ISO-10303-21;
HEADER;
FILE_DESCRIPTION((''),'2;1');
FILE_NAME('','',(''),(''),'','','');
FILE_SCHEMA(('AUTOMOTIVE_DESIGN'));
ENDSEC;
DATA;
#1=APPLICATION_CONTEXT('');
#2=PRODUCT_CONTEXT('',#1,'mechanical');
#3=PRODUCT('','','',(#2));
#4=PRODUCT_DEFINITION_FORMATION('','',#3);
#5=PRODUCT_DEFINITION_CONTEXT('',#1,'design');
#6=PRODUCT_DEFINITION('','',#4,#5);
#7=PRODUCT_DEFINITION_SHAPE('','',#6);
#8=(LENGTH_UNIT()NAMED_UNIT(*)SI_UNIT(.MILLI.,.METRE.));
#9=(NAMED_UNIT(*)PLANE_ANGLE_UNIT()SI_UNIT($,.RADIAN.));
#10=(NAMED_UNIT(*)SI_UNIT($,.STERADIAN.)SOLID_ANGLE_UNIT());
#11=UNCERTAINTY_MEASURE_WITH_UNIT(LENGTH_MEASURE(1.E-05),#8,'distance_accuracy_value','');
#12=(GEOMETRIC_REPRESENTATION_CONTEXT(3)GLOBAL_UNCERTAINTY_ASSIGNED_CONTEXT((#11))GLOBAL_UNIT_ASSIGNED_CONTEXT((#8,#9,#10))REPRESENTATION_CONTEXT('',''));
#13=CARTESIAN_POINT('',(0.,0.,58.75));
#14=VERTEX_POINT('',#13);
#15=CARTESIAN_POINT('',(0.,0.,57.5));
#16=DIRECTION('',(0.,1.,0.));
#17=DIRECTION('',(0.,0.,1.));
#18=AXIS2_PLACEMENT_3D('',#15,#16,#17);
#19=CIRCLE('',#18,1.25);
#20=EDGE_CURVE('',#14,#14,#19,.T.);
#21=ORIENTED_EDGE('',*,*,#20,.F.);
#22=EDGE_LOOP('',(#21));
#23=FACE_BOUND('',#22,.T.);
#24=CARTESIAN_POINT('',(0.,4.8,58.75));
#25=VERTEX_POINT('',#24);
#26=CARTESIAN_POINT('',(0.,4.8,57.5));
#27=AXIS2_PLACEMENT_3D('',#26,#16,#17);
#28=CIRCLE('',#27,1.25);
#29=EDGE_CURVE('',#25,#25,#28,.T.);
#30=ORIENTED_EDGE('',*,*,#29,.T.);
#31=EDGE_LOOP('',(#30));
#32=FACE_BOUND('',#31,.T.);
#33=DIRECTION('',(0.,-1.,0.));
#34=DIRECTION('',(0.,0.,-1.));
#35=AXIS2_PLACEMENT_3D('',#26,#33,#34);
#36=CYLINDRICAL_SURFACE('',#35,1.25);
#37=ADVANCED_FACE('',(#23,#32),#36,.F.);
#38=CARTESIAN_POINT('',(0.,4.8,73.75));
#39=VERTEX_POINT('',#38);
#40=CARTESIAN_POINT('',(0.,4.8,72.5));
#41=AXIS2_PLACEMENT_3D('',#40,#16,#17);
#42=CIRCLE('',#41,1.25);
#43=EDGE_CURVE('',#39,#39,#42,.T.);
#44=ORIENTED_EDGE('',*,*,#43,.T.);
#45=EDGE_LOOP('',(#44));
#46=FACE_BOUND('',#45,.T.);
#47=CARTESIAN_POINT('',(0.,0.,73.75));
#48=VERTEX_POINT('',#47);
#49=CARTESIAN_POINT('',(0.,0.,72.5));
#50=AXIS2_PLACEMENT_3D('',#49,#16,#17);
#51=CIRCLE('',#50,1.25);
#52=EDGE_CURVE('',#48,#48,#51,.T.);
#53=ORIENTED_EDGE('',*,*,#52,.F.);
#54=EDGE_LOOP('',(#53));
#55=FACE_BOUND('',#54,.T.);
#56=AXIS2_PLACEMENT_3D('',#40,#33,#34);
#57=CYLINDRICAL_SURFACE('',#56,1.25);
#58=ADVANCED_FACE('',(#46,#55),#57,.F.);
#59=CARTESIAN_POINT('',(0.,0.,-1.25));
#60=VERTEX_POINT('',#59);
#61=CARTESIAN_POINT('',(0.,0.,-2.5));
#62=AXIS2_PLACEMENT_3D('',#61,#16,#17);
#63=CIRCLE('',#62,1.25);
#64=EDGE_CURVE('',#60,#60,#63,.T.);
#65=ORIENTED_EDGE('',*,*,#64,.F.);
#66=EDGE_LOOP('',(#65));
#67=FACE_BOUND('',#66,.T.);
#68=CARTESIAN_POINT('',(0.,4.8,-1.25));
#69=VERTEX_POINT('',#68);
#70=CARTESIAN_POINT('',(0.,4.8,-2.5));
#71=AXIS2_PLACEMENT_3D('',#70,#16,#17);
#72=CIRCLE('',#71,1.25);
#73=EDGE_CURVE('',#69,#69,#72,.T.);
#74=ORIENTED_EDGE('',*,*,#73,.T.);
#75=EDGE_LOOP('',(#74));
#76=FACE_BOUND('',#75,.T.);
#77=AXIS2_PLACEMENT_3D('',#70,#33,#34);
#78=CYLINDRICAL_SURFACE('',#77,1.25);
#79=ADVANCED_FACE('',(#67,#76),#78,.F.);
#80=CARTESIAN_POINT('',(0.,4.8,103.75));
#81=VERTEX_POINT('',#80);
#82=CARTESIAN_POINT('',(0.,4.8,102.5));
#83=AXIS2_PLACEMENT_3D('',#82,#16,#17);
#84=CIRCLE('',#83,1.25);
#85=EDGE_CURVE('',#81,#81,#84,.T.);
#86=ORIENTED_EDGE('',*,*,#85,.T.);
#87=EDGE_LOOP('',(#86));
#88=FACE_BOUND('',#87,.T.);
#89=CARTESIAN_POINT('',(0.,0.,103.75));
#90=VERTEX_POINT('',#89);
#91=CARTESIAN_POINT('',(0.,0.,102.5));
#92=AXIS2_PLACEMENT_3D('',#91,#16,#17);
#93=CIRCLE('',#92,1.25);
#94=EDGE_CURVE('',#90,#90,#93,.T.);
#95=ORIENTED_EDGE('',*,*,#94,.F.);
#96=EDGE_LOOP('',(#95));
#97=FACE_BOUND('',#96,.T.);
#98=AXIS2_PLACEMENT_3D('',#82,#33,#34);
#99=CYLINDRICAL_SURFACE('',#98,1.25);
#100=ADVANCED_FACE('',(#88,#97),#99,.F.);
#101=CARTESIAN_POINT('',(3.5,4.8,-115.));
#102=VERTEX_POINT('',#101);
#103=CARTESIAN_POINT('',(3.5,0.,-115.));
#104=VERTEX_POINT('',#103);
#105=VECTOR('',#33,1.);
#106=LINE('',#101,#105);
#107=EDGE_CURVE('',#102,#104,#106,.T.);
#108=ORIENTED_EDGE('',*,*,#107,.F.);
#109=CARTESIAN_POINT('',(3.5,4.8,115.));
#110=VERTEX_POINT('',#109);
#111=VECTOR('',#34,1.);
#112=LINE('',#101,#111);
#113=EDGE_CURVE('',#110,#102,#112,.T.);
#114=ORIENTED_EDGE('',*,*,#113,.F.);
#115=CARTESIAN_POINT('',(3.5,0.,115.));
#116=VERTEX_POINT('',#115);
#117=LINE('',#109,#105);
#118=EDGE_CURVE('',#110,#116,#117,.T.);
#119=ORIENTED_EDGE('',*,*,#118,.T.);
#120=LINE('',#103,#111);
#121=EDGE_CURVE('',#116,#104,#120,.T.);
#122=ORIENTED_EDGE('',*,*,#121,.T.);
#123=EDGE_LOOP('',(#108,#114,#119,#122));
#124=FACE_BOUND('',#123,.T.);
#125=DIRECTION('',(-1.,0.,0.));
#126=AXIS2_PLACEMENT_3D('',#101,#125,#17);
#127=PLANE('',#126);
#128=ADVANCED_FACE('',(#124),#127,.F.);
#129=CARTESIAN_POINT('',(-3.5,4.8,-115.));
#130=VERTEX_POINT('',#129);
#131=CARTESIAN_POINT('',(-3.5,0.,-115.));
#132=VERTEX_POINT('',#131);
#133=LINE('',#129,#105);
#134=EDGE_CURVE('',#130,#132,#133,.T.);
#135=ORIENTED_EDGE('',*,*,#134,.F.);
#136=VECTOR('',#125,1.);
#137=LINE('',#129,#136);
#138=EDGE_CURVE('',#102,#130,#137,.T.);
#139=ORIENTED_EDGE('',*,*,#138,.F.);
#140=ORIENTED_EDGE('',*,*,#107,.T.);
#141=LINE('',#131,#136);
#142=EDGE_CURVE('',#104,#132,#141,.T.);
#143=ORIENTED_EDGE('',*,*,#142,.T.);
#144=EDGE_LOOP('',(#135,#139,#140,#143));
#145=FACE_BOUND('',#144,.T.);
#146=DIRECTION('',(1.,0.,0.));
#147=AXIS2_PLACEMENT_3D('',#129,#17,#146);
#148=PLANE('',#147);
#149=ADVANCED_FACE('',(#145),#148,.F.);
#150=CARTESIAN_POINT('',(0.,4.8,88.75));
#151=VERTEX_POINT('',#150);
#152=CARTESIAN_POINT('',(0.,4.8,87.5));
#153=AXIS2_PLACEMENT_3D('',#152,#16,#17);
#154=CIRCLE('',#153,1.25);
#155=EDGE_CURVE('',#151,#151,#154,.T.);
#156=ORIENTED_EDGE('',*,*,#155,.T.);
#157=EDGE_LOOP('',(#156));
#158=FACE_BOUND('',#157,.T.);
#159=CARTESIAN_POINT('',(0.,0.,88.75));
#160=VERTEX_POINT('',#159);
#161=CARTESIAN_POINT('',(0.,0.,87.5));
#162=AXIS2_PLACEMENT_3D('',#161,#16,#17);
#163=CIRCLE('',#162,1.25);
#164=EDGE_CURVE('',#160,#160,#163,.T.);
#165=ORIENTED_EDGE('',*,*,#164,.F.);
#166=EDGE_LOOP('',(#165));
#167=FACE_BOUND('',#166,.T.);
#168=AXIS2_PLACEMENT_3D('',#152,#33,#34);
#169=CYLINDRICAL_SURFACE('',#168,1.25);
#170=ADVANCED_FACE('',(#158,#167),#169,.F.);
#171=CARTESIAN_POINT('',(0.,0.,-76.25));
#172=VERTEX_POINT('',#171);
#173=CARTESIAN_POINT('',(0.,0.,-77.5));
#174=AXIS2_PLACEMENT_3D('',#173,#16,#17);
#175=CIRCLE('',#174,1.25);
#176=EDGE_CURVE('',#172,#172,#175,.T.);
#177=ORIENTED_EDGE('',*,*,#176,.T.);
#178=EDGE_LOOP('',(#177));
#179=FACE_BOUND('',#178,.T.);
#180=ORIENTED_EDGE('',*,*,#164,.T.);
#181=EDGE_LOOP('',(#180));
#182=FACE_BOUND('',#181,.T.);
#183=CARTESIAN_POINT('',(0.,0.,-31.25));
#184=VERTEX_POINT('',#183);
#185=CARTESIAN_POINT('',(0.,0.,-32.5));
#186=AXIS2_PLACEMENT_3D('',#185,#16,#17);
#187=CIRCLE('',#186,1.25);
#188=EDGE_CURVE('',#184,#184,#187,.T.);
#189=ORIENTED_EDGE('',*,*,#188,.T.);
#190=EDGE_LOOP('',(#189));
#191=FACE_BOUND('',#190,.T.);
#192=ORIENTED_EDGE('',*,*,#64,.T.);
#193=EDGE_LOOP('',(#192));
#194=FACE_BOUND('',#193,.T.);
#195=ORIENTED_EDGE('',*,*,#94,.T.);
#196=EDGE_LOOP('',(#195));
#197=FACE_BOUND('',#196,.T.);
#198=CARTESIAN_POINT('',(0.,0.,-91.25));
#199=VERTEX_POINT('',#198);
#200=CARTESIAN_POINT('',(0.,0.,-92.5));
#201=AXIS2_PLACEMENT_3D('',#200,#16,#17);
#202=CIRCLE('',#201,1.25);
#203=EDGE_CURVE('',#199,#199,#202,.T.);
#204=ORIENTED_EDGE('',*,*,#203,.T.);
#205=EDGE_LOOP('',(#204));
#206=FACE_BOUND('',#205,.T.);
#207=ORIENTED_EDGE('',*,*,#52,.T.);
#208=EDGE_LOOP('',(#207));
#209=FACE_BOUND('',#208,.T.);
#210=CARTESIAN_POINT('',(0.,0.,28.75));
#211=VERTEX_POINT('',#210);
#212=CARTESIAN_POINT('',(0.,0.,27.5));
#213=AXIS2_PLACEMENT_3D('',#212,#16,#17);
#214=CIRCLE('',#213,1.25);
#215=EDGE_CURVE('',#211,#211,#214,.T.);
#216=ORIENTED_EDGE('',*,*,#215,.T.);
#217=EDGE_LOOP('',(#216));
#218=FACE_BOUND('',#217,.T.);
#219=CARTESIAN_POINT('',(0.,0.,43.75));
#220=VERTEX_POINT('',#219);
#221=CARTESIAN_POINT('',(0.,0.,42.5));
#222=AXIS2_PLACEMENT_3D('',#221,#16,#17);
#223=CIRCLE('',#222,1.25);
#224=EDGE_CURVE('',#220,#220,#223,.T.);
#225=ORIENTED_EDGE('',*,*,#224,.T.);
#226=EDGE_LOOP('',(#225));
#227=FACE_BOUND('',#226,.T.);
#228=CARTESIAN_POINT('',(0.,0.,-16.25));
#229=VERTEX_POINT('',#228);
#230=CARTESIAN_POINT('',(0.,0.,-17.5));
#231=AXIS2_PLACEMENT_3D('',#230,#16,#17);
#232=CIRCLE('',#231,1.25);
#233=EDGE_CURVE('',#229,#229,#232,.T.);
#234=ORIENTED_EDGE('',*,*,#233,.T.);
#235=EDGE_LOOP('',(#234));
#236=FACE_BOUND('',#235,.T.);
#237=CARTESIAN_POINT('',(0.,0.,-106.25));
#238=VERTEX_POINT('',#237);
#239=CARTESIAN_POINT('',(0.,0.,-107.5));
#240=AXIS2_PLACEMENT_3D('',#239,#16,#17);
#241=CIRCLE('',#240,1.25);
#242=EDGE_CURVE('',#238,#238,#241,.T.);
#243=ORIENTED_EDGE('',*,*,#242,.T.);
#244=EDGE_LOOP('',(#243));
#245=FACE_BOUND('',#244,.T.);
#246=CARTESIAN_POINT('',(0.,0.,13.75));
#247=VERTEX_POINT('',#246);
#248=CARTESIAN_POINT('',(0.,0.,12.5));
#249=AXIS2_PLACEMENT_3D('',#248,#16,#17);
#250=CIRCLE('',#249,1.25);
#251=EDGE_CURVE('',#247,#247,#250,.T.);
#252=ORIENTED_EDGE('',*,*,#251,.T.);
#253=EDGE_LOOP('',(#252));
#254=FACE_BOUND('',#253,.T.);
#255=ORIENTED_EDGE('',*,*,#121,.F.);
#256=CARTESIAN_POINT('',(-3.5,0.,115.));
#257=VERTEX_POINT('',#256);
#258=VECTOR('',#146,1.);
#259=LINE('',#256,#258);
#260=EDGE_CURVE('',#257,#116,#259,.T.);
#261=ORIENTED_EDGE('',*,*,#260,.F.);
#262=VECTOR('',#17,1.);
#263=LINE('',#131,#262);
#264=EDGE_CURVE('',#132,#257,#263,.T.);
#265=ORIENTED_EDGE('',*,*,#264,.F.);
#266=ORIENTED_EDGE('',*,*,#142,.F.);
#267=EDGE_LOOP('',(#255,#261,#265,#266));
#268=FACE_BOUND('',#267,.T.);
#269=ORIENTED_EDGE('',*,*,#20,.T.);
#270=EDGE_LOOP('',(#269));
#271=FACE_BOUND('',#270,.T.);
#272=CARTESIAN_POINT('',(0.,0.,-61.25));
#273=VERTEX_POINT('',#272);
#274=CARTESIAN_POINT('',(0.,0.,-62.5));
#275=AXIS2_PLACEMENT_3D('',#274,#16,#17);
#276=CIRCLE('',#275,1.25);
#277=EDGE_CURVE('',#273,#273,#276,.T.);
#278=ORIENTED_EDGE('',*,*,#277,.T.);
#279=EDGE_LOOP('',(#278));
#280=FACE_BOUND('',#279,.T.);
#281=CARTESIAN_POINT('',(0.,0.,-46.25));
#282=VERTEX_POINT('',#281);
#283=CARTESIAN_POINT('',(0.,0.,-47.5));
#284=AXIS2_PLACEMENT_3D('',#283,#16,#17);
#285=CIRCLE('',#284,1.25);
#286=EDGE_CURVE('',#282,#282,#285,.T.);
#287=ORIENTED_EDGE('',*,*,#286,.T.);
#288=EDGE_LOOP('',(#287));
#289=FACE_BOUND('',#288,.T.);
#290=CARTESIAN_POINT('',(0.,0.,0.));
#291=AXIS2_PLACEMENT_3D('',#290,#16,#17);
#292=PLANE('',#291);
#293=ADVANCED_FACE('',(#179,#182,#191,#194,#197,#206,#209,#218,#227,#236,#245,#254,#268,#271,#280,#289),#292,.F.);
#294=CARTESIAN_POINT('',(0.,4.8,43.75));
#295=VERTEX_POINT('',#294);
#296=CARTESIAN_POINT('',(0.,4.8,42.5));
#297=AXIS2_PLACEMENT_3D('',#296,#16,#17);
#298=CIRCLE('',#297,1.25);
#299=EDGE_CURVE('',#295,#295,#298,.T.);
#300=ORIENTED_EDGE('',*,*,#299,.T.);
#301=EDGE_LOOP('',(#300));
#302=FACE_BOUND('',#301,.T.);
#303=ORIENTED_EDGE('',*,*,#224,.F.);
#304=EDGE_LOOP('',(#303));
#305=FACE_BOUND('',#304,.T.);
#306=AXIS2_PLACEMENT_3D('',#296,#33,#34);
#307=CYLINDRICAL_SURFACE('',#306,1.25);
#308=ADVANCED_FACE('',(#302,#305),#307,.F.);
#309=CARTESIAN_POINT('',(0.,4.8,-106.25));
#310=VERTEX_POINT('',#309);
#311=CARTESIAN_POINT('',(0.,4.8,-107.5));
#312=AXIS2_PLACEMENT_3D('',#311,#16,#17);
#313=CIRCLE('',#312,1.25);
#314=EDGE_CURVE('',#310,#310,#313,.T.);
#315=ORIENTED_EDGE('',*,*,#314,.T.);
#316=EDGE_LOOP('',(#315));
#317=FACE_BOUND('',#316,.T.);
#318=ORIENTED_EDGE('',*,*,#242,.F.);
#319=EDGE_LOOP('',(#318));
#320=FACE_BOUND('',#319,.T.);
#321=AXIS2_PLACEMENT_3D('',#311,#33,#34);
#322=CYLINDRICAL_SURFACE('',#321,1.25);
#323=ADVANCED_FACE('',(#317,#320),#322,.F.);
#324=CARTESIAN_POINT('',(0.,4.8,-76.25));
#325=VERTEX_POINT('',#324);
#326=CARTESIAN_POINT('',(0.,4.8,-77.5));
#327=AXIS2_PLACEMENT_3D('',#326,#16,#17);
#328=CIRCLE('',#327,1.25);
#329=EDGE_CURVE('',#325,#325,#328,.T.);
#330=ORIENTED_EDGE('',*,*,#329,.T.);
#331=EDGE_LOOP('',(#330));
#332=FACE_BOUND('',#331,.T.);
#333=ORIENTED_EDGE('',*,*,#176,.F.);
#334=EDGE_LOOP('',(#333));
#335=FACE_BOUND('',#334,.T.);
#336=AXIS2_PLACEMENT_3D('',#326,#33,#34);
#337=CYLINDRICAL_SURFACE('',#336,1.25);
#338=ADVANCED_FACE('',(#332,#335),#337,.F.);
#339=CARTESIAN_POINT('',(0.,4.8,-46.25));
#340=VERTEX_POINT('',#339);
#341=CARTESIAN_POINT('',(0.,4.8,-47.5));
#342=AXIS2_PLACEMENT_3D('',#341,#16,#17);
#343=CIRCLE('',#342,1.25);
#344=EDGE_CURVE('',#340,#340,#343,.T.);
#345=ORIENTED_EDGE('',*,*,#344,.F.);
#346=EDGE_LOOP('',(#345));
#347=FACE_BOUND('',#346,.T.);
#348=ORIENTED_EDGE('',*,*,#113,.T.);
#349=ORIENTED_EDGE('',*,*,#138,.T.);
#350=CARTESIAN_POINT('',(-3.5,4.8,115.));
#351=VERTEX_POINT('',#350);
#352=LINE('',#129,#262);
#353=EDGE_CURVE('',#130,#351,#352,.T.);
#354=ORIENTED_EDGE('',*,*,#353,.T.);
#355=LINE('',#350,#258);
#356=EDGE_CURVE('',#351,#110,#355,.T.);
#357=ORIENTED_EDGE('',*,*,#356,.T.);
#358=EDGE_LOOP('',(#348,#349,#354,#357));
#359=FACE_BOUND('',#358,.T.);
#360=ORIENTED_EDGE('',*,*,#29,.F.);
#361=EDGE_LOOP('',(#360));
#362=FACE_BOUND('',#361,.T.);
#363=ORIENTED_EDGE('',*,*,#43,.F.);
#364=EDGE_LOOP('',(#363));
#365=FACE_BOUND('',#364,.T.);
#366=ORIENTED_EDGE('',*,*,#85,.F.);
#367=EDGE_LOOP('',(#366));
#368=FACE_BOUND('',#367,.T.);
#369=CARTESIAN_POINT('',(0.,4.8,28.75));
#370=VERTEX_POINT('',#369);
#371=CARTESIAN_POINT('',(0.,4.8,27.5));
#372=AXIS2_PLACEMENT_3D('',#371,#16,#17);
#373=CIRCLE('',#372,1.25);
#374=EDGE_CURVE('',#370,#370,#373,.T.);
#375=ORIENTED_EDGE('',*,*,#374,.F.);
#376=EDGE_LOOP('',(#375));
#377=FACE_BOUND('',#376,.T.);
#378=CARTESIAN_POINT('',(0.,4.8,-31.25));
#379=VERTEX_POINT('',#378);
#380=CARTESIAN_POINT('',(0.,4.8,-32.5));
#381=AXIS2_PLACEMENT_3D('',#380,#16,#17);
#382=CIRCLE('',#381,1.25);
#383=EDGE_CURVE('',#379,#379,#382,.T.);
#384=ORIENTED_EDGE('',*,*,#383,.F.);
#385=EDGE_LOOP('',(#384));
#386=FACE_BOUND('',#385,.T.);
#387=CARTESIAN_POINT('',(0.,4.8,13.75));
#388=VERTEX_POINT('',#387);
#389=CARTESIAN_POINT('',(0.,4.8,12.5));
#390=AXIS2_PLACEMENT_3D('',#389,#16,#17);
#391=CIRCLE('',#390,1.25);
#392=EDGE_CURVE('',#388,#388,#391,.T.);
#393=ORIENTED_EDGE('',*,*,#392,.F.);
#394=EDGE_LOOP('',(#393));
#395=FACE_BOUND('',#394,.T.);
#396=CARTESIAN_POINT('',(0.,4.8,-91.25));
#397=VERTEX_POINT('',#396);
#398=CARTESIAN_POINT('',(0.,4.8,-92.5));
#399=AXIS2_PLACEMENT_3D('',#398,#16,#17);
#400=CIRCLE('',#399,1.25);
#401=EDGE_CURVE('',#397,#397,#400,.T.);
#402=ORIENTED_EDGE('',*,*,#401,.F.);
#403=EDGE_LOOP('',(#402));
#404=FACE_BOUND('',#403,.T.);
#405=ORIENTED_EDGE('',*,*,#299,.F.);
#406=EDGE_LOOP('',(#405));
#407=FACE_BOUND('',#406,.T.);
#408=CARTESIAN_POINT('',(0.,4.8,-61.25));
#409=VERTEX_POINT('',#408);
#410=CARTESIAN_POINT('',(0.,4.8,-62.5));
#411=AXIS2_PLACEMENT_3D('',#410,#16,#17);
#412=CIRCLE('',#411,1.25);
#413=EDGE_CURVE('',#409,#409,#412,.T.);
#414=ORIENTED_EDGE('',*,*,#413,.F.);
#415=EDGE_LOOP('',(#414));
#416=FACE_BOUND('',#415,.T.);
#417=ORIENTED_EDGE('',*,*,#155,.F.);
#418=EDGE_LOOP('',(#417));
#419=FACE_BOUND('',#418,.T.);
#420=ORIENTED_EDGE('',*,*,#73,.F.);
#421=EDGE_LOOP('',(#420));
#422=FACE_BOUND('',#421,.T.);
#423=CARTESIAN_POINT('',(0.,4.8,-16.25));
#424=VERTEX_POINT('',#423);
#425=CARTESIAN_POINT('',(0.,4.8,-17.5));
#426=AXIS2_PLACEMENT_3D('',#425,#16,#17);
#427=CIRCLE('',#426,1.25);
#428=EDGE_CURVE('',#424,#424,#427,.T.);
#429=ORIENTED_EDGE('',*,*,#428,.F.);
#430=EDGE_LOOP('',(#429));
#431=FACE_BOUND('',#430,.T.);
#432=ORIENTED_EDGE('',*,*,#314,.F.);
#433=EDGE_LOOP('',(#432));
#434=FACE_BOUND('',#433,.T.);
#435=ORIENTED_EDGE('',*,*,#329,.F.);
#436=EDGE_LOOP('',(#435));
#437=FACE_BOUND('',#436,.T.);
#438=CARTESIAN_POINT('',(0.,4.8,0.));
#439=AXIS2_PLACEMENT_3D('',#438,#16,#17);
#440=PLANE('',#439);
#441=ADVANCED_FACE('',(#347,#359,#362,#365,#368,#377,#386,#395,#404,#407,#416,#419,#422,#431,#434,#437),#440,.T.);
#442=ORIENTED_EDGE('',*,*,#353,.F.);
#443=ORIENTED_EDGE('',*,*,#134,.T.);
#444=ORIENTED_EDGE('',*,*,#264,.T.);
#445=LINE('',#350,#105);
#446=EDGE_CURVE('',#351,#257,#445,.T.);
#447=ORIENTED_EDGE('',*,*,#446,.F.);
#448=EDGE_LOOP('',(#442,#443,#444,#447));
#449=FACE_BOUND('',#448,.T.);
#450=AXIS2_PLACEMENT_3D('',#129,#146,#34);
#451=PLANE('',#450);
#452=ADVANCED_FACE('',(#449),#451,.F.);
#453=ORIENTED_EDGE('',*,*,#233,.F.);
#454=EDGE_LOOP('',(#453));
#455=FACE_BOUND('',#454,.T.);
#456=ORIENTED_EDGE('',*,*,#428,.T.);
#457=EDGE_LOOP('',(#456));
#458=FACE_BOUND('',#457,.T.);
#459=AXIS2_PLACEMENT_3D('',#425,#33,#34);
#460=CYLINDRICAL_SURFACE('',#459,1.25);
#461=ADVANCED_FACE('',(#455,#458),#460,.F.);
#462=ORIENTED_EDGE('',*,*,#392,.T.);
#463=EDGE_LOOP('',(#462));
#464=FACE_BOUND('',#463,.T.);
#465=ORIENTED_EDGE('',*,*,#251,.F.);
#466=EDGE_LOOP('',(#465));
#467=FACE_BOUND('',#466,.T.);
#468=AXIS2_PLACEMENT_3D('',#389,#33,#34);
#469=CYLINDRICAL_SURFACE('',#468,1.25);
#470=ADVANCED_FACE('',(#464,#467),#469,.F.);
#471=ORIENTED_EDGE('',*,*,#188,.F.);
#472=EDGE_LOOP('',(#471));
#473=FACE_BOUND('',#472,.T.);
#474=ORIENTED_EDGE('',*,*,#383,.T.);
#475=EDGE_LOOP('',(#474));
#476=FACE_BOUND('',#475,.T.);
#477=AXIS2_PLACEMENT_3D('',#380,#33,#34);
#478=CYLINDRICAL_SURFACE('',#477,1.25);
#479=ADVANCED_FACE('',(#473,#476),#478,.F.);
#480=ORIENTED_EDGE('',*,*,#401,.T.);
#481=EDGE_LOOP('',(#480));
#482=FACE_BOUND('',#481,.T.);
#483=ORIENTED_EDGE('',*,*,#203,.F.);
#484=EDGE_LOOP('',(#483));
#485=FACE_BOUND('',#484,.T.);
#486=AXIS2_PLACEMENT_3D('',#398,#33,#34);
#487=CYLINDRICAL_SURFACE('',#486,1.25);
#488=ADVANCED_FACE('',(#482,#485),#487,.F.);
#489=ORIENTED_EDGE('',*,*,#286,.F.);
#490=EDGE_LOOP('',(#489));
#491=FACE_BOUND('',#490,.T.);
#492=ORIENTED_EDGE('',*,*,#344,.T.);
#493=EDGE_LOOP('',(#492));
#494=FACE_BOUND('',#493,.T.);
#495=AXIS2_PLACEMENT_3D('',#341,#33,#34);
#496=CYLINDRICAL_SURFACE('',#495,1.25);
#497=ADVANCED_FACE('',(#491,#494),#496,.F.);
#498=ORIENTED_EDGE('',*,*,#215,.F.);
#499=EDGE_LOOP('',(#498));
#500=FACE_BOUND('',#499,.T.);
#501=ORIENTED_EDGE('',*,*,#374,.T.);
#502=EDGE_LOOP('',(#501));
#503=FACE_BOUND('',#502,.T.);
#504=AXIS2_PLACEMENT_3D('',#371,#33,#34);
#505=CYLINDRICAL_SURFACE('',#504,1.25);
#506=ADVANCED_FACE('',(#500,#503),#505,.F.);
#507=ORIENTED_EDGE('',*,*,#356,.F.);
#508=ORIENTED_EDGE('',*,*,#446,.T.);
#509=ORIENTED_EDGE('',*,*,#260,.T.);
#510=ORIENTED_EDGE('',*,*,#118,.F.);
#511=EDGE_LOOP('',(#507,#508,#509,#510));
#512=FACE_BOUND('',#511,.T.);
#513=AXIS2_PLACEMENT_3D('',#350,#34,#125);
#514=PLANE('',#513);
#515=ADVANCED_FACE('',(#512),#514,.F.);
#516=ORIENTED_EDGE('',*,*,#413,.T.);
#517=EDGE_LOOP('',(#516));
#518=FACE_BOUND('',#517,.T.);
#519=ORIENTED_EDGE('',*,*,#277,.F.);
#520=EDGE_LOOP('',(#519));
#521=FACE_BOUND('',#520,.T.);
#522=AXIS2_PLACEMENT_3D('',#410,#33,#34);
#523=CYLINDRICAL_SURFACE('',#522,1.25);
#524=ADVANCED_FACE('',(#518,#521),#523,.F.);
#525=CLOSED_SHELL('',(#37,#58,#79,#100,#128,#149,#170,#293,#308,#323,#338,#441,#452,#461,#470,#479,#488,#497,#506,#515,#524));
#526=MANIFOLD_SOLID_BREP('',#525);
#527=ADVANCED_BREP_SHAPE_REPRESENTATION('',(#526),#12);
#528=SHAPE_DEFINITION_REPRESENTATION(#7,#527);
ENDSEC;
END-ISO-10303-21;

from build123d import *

# Parameters (mm, degrees)
SKETCH_1_W      = 7
SKETCH_1_H      = 230
SKETCH_1_R      = 1.25
EXTRUDE_1_DEPTH = 4.8


with BuildPart() as part:
    # 草图1 → 凸台-拉伸1 (new body)
    with BuildSketch(Plane(origin=(0, 0, 0), x_dir=(1, 0, 0), z_dir=(0, 1, 0))):
        Rectangle(SKETCH_1_W, SKETCH_1_H)
        with Locations(Location((0, 107.5, 0), (0, 0, 270))):
            Circle(SKETCH_1_R, mode=Mode.SUBTRACT)
        with Locations(Location((0, 92.5, 0), (0, 0, 270))):
            Circle(SKETCH_1_R, mode=Mode.SUBTRACT)
        with Locations(Location((0, 77.5, 0), (0, 0, 270))):
            Circle(SKETCH_1_R, mode=Mode.SUBTRACT)
        with Locations(Location((0, 62.5, 0), (0, 0, 270))):
            Circle(SKETCH_1_R, mode=Mode.SUBTRACT)
        with Locations(Location((0, 47.5, 0), (0, 0, 270))):
            Circle(SKETCH_1_R, mode=Mode.SUBTRACT)
        with Locations(Location((0, 32.5, 0), (0, 0, 270))):
            Circle(SKETCH_1_R, mode=Mode.SUBTRACT)
        with Locations(Location((0, 17.5, 0), (0, 0, 270))):
            Circle(SKETCH_1_R, mode=Mode.SUBTRACT)
        with Locations(Location((0, 2.5, 0), (0, 0, 270))):
            Circle(SKETCH_1_R, mode=Mode.SUBTRACT)
        with Locations(Location((0, -12.5, 0), (0, 0, 270))):
            Circle(SKETCH_1_R, mode=Mode.SUBTRACT)
        with Locations(Location((0, -27.5, 0), (0, 0, 270))):
            Circle(SKETCH_1_R, mode=Mode.SUBTRACT)
        with Locations(Location((0, -42.5, 0), (0, 0, 270))):
            Circle(SKETCH_1_R, mode=Mode.SUBTRACT)
        with Locations(Location((0, -57.5, 0), (0, 0, 270))):
            Circle(SKETCH_1_R, mode=Mode.SUBTRACT)
        with Locations(Location((0, -72.5, 0), (0, 0, 270))):
            Circle(SKETCH_1_R, mode=Mode.SUBTRACT)
        with Locations(Location((0, -87.5, 0), (0, 0, 270))):
            Circle(SKETCH_1_R, mode=Mode.SUBTRACT)
        with Locations(Location((0, -102.5, 0), (0, 0, 270))):
            Circle(SKETCH_1_R, mode=Mode.SUBTRACT)
    extrude(amount=EXTRUDE_1_DEPTH)


solid = part.part
